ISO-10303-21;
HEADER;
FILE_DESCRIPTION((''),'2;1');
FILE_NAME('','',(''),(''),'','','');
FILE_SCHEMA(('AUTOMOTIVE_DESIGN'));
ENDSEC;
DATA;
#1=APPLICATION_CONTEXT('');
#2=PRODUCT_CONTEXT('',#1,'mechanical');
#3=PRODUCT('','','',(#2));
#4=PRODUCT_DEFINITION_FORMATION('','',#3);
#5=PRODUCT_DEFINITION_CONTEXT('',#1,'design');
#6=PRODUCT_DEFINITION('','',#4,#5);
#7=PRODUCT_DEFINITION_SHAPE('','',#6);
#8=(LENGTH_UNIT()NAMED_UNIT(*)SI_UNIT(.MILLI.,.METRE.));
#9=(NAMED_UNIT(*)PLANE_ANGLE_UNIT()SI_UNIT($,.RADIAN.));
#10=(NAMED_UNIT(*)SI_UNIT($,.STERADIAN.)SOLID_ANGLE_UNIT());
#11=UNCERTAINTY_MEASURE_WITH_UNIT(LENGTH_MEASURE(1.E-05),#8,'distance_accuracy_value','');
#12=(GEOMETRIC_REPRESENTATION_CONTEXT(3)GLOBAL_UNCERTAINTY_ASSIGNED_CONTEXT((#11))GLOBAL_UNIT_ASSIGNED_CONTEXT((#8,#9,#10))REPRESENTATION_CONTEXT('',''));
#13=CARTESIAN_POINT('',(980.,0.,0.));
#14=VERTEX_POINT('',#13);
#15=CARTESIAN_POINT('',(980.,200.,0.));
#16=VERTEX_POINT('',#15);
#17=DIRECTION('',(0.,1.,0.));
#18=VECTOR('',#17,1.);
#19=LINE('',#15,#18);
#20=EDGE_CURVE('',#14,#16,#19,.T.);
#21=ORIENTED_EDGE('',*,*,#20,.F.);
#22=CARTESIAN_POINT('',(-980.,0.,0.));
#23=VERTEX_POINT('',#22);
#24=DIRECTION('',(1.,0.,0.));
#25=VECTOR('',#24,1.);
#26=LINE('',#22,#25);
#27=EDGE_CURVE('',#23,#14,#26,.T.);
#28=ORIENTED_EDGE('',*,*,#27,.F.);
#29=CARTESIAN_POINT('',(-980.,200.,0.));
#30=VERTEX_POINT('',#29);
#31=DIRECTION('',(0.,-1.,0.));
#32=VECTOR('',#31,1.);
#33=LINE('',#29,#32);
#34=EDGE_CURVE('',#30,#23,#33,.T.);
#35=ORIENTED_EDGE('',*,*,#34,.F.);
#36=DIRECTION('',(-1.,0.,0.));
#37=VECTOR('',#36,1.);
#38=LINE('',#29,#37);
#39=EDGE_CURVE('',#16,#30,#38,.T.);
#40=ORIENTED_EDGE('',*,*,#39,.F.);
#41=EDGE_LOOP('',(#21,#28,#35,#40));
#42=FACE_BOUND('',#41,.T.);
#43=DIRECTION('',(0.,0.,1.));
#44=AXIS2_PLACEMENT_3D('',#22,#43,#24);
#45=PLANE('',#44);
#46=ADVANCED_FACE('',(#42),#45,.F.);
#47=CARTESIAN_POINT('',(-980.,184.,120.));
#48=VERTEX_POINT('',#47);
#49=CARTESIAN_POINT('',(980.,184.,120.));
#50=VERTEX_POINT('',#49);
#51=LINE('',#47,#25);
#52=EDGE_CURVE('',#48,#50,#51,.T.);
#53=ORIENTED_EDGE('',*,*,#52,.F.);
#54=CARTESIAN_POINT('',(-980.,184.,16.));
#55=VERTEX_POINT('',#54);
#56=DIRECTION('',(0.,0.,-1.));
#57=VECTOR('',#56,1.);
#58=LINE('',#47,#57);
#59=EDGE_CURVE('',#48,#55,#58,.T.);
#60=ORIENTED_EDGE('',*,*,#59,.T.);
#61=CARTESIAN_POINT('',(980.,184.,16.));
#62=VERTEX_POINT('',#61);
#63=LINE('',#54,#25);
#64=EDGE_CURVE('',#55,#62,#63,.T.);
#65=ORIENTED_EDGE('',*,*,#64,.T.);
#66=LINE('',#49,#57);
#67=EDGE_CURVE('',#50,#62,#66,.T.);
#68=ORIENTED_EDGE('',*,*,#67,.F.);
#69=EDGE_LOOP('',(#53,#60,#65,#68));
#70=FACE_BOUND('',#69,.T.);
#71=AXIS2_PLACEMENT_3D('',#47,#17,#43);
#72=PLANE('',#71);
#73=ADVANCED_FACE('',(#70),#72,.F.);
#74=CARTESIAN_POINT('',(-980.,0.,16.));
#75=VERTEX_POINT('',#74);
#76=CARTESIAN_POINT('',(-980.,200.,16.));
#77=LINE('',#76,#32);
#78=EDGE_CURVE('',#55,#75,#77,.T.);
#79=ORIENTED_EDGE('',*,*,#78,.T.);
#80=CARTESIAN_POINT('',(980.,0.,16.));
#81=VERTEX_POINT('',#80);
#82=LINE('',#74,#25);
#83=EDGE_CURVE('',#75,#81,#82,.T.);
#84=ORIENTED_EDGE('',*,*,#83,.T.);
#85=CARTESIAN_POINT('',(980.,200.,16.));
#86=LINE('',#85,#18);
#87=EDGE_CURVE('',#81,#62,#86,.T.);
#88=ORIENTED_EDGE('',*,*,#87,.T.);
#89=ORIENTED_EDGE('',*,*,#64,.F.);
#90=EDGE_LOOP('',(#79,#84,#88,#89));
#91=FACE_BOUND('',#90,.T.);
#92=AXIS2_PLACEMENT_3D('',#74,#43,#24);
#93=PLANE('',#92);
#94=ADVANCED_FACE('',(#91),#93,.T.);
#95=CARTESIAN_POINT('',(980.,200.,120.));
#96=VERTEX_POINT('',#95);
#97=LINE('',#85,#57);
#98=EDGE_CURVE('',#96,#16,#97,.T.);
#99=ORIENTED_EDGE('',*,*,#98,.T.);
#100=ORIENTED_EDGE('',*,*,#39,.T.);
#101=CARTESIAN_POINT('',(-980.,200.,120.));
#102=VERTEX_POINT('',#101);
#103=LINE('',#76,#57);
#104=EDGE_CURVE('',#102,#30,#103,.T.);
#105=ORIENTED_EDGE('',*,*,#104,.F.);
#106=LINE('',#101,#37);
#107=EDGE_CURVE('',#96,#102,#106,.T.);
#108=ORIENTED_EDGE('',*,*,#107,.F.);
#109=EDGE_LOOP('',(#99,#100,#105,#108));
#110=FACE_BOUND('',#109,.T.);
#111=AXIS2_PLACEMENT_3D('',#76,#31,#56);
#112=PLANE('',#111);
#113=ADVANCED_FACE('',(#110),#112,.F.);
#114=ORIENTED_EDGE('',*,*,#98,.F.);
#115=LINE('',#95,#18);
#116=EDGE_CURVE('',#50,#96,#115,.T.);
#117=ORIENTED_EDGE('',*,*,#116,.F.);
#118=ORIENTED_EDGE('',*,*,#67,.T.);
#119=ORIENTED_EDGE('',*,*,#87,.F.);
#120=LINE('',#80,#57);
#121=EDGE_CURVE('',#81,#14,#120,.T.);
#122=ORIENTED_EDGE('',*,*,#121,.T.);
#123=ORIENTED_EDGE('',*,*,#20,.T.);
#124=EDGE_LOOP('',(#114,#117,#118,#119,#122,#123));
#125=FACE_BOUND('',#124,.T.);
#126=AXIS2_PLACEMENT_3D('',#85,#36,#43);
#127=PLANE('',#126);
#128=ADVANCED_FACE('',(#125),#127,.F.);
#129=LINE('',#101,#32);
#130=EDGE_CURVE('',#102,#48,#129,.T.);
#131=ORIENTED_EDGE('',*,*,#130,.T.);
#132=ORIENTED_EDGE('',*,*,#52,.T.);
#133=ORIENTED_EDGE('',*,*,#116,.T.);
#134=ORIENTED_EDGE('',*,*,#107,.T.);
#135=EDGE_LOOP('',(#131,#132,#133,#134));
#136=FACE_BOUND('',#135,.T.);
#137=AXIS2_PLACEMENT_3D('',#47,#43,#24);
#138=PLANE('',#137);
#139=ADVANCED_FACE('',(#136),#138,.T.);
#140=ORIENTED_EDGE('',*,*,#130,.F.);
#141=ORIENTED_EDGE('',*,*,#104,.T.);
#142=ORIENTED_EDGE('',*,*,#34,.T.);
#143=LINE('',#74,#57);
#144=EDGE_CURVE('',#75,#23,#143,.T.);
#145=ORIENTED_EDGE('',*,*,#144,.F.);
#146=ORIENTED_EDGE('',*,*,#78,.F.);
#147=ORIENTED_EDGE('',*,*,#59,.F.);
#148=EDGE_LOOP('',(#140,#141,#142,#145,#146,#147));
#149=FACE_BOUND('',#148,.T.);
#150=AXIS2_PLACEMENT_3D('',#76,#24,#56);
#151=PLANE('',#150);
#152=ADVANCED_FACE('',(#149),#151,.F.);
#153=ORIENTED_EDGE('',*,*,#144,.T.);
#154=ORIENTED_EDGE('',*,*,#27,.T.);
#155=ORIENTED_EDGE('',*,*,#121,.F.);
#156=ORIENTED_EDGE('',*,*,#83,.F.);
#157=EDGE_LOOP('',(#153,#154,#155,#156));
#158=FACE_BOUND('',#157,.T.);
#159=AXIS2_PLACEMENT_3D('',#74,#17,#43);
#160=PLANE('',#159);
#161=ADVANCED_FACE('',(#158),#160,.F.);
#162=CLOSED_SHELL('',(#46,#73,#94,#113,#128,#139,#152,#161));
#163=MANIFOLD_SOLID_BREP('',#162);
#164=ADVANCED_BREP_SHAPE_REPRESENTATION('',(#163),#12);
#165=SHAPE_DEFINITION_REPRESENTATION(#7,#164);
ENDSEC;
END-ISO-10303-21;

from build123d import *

# Parameters (mm, degrees)
SKETCH_1_W         = 1960
SKETCH_1_H         = 200
EXTRUDE_1465_DEPTH = 16
SKETCH_2_W         = 1960
SKETCH_2_H         = 16
EXTRUDE_1_DEPTH    = 104


with BuildPart() as part:
    # 草图1 → Extrude 1465 (new body)
    with BuildSketch(Plane.XY):
        with Locations((0, 100)):
            Rectangle(SKETCH_1_W, SKETCH_1_H)
    extrude(amount=EXTRUDE_1465_DEPTH)

    # 草图2 → 凸台-拉伸1 (add)
    with BuildSketch(Plane.XY.offset(16)):
        with Locations((0, 192)):
            Rectangle(SKETCH_2_W, SKETCH_2_H)
    extrude(amount=EXTRUDE_1_DEPTH)


solid = part.part
